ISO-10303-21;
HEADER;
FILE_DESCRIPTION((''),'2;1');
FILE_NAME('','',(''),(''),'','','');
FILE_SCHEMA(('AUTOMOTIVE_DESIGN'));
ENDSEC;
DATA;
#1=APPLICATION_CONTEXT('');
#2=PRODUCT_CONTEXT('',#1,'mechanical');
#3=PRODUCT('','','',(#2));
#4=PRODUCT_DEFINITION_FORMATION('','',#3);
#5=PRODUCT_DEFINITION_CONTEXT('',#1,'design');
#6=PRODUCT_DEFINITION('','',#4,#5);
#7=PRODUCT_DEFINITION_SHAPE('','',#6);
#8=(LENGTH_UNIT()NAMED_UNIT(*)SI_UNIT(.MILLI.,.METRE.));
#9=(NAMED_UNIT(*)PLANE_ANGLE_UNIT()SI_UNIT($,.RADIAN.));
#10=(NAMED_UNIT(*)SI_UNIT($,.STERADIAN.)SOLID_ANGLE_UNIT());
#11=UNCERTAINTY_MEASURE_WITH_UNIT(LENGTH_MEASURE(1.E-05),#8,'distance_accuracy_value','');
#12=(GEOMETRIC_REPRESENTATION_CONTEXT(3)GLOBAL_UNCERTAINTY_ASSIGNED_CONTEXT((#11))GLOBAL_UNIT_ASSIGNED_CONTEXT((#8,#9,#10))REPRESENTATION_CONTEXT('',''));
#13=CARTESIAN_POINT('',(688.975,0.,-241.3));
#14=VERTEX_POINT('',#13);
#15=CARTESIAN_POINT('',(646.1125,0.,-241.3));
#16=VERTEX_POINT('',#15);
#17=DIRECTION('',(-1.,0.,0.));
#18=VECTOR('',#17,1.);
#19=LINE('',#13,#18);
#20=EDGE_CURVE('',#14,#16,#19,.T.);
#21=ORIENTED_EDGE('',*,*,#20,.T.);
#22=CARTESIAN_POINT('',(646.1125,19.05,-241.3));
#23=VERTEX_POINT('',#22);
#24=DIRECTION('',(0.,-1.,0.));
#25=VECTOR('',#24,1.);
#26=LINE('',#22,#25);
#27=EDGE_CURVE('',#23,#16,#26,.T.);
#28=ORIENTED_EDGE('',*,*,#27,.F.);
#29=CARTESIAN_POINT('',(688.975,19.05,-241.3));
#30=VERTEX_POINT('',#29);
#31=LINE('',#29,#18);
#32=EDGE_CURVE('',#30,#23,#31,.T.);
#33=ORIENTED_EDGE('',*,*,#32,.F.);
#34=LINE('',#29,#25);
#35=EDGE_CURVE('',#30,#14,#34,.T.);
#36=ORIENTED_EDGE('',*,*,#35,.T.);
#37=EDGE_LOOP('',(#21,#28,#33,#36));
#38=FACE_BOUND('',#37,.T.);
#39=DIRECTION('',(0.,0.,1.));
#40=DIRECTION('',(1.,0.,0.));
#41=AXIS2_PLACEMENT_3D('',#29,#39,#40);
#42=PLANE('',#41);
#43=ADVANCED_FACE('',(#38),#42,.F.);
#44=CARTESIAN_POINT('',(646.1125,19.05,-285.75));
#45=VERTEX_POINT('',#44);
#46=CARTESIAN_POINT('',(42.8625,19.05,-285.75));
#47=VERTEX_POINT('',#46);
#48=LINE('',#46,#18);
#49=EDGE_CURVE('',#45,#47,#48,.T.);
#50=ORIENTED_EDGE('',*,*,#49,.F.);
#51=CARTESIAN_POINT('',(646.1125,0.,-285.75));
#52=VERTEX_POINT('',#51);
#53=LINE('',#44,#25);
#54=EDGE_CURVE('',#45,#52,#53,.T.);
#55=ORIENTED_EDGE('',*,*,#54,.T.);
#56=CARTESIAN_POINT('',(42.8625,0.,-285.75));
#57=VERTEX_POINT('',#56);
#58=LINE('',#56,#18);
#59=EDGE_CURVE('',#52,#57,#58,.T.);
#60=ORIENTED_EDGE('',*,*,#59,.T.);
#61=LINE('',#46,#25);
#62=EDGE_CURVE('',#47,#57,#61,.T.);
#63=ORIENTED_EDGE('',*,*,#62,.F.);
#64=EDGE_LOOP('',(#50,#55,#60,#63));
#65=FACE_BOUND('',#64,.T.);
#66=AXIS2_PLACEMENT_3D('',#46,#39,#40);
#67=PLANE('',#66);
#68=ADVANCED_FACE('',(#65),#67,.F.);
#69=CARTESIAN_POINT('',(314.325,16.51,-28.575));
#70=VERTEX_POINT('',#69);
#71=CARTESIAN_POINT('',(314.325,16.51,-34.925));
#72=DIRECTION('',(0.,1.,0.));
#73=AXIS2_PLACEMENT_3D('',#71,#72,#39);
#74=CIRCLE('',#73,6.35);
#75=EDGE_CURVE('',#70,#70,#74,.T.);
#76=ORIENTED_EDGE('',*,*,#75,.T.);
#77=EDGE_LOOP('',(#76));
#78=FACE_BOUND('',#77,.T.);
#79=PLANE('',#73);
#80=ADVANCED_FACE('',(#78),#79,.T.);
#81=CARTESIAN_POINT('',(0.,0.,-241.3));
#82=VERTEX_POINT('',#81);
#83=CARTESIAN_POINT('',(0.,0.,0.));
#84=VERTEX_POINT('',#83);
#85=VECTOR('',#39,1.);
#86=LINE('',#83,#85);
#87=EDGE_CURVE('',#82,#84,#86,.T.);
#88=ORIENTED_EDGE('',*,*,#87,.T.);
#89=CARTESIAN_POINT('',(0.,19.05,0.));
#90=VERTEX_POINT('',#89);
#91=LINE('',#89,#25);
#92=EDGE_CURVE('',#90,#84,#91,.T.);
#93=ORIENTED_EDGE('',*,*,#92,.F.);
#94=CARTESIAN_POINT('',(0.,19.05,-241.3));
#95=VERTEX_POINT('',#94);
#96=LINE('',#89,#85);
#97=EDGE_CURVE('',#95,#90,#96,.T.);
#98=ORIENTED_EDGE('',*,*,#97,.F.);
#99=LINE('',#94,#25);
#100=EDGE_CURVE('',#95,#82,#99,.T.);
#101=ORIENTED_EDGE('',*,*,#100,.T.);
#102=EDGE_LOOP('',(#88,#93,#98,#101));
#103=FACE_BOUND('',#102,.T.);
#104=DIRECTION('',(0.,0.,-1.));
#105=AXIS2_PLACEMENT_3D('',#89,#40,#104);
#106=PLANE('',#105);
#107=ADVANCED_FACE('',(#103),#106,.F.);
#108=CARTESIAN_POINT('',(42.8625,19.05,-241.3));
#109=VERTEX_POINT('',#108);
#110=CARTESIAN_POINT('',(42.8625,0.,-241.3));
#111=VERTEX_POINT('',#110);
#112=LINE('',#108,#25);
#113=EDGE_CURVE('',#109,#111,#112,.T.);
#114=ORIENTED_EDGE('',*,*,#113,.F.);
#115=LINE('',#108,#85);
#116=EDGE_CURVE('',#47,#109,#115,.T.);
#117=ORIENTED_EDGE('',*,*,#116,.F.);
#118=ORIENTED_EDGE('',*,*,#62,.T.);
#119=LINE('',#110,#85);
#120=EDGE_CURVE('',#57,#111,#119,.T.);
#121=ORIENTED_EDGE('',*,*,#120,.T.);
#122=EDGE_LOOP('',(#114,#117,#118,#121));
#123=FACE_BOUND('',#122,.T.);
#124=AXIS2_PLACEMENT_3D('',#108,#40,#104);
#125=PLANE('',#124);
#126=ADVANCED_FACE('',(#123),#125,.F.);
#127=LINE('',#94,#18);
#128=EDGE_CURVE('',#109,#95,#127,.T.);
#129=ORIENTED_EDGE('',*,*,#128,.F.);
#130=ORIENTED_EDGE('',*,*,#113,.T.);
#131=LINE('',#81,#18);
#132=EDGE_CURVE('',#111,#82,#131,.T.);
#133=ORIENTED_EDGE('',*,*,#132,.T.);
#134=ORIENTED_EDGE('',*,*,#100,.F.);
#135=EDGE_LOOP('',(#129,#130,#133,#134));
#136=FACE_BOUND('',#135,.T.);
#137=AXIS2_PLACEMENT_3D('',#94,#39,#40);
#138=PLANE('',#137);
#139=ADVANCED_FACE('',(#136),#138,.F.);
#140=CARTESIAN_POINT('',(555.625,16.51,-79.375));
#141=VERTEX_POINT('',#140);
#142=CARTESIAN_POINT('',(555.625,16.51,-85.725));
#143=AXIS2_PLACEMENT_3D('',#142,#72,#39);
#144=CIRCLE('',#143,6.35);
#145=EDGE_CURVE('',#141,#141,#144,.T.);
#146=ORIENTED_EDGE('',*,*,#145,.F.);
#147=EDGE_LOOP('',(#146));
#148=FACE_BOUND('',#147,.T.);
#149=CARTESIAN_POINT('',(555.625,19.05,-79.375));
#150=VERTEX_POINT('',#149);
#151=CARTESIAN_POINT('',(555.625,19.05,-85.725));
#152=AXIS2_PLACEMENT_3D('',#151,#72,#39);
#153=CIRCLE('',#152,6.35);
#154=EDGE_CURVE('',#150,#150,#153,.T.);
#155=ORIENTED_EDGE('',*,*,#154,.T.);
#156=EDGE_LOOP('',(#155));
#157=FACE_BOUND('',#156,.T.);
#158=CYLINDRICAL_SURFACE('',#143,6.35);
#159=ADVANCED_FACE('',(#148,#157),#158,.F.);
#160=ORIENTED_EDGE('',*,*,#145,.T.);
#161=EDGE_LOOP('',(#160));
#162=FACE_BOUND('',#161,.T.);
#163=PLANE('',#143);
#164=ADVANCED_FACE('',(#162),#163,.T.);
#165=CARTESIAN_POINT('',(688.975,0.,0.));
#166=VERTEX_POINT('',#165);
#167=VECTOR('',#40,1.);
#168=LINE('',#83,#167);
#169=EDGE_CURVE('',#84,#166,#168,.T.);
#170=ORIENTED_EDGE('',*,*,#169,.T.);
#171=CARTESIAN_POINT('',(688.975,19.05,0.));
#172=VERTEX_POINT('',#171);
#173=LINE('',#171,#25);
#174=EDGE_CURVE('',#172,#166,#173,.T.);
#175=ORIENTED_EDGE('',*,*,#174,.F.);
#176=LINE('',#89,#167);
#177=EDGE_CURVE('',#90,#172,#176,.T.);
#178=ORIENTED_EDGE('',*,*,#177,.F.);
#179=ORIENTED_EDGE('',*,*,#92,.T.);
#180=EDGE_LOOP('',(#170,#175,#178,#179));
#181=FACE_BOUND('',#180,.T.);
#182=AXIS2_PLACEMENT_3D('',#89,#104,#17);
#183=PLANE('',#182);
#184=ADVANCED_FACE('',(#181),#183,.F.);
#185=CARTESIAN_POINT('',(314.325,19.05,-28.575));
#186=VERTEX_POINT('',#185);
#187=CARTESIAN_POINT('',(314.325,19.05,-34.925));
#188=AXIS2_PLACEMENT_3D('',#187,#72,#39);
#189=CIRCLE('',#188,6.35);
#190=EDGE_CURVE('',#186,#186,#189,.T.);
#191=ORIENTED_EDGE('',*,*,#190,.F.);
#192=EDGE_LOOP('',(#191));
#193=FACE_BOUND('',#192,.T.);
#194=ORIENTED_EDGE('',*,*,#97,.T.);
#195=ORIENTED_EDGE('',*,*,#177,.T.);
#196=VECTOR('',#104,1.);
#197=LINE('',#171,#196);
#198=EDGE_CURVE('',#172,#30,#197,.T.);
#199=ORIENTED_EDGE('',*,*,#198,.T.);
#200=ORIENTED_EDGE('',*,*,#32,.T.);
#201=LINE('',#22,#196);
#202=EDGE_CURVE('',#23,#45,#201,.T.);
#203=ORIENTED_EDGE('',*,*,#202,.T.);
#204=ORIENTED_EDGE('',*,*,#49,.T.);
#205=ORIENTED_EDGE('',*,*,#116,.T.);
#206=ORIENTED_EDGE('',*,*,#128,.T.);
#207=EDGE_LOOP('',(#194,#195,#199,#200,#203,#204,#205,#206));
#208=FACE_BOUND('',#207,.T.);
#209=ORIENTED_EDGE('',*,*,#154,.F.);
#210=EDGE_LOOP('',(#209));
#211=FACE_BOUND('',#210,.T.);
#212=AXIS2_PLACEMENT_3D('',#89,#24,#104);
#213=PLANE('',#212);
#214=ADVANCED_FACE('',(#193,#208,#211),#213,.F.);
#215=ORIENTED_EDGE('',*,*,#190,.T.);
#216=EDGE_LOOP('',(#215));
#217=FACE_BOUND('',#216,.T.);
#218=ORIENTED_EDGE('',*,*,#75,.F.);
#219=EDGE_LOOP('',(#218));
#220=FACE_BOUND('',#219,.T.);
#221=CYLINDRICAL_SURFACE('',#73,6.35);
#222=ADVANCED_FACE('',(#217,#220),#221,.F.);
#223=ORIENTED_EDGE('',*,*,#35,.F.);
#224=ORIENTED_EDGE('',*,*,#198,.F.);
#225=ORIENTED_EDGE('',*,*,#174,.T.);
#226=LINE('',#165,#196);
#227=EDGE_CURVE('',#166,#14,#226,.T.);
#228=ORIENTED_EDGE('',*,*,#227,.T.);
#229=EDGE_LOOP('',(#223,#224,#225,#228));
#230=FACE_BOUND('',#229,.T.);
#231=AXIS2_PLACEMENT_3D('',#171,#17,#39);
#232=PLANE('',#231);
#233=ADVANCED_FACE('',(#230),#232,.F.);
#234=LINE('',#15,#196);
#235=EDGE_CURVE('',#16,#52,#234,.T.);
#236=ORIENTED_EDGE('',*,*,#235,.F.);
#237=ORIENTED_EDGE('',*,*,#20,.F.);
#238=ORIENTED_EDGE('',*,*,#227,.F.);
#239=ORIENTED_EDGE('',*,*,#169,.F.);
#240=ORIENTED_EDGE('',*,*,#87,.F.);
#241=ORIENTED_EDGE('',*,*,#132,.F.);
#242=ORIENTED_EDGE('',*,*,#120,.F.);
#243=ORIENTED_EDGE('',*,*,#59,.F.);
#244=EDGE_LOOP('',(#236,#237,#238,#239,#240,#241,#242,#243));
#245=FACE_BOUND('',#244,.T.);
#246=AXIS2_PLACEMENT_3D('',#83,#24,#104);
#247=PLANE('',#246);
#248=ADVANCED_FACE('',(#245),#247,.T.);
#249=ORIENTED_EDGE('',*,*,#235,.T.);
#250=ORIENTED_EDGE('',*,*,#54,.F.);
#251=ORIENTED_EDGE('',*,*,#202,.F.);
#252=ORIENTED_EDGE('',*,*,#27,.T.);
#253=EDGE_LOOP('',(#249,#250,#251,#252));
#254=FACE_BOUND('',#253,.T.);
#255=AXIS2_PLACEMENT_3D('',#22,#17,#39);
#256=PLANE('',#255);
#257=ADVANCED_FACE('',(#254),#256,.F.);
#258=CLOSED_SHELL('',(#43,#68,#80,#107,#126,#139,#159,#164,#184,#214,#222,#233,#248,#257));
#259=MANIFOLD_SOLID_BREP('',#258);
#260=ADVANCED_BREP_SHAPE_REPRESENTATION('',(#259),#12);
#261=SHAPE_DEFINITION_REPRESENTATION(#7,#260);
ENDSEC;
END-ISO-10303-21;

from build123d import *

# Parameters (mm, degrees)
BOSS_EXTRUDE1_DEPTH = 19.05
SKETCH2_R           = 6.35
CUT_EXTRUDE1_DEPTH  = 2.54
SKETCH3_R           = 6.35
CUT_EXTRUDE2_DEPTH  = 2.54


with BuildPart() as part:
    # Sketch1 → Boss-Extrude1 (new body)
    with BuildSketch(Plane(origin=(0, 0, 0), x_dir=(1, 0, 0), z_dir=(0, 1, 0))):
        Polygon((0, 0), (688.975, 0), (688.975, 241.3), (646.1125, 241.3), (646.1125, 285.75), (42.8625, 285.75), (42.8625, 241.3), (0, 241.3), align=None)
    extrude(amount=BOSS_EXTRUDE1_DEPTH)

    # Sketch2 → Cut-Extrude1 (cut)
    with BuildSketch(Plane(origin=(0, 19.05, 0), x_dir=(1, 0, 0), z_dir=(0, 1, 0))):
        with Locations((555.625, 85.725)):
            Circle(SKETCH2_R)
    extrude(amount=-CUT_EXTRUDE1_DEPTH, mode=Mode.SUBTRACT)

    # Sketch3 → Cut-Extrude2 (cut)
    with BuildSketch(Plane(origin=(0, 19.05, 0), x_dir=(1, 0, 0), z_dir=(0, 1, 0))):
        with Locations((314.325, 34.925)):
            Circle(SKETCH3_R)
    extrude(amount=-CUT_EXTRUDE2_DEPTH, mode=Mode.SUBTRACT)


solid = part.part
